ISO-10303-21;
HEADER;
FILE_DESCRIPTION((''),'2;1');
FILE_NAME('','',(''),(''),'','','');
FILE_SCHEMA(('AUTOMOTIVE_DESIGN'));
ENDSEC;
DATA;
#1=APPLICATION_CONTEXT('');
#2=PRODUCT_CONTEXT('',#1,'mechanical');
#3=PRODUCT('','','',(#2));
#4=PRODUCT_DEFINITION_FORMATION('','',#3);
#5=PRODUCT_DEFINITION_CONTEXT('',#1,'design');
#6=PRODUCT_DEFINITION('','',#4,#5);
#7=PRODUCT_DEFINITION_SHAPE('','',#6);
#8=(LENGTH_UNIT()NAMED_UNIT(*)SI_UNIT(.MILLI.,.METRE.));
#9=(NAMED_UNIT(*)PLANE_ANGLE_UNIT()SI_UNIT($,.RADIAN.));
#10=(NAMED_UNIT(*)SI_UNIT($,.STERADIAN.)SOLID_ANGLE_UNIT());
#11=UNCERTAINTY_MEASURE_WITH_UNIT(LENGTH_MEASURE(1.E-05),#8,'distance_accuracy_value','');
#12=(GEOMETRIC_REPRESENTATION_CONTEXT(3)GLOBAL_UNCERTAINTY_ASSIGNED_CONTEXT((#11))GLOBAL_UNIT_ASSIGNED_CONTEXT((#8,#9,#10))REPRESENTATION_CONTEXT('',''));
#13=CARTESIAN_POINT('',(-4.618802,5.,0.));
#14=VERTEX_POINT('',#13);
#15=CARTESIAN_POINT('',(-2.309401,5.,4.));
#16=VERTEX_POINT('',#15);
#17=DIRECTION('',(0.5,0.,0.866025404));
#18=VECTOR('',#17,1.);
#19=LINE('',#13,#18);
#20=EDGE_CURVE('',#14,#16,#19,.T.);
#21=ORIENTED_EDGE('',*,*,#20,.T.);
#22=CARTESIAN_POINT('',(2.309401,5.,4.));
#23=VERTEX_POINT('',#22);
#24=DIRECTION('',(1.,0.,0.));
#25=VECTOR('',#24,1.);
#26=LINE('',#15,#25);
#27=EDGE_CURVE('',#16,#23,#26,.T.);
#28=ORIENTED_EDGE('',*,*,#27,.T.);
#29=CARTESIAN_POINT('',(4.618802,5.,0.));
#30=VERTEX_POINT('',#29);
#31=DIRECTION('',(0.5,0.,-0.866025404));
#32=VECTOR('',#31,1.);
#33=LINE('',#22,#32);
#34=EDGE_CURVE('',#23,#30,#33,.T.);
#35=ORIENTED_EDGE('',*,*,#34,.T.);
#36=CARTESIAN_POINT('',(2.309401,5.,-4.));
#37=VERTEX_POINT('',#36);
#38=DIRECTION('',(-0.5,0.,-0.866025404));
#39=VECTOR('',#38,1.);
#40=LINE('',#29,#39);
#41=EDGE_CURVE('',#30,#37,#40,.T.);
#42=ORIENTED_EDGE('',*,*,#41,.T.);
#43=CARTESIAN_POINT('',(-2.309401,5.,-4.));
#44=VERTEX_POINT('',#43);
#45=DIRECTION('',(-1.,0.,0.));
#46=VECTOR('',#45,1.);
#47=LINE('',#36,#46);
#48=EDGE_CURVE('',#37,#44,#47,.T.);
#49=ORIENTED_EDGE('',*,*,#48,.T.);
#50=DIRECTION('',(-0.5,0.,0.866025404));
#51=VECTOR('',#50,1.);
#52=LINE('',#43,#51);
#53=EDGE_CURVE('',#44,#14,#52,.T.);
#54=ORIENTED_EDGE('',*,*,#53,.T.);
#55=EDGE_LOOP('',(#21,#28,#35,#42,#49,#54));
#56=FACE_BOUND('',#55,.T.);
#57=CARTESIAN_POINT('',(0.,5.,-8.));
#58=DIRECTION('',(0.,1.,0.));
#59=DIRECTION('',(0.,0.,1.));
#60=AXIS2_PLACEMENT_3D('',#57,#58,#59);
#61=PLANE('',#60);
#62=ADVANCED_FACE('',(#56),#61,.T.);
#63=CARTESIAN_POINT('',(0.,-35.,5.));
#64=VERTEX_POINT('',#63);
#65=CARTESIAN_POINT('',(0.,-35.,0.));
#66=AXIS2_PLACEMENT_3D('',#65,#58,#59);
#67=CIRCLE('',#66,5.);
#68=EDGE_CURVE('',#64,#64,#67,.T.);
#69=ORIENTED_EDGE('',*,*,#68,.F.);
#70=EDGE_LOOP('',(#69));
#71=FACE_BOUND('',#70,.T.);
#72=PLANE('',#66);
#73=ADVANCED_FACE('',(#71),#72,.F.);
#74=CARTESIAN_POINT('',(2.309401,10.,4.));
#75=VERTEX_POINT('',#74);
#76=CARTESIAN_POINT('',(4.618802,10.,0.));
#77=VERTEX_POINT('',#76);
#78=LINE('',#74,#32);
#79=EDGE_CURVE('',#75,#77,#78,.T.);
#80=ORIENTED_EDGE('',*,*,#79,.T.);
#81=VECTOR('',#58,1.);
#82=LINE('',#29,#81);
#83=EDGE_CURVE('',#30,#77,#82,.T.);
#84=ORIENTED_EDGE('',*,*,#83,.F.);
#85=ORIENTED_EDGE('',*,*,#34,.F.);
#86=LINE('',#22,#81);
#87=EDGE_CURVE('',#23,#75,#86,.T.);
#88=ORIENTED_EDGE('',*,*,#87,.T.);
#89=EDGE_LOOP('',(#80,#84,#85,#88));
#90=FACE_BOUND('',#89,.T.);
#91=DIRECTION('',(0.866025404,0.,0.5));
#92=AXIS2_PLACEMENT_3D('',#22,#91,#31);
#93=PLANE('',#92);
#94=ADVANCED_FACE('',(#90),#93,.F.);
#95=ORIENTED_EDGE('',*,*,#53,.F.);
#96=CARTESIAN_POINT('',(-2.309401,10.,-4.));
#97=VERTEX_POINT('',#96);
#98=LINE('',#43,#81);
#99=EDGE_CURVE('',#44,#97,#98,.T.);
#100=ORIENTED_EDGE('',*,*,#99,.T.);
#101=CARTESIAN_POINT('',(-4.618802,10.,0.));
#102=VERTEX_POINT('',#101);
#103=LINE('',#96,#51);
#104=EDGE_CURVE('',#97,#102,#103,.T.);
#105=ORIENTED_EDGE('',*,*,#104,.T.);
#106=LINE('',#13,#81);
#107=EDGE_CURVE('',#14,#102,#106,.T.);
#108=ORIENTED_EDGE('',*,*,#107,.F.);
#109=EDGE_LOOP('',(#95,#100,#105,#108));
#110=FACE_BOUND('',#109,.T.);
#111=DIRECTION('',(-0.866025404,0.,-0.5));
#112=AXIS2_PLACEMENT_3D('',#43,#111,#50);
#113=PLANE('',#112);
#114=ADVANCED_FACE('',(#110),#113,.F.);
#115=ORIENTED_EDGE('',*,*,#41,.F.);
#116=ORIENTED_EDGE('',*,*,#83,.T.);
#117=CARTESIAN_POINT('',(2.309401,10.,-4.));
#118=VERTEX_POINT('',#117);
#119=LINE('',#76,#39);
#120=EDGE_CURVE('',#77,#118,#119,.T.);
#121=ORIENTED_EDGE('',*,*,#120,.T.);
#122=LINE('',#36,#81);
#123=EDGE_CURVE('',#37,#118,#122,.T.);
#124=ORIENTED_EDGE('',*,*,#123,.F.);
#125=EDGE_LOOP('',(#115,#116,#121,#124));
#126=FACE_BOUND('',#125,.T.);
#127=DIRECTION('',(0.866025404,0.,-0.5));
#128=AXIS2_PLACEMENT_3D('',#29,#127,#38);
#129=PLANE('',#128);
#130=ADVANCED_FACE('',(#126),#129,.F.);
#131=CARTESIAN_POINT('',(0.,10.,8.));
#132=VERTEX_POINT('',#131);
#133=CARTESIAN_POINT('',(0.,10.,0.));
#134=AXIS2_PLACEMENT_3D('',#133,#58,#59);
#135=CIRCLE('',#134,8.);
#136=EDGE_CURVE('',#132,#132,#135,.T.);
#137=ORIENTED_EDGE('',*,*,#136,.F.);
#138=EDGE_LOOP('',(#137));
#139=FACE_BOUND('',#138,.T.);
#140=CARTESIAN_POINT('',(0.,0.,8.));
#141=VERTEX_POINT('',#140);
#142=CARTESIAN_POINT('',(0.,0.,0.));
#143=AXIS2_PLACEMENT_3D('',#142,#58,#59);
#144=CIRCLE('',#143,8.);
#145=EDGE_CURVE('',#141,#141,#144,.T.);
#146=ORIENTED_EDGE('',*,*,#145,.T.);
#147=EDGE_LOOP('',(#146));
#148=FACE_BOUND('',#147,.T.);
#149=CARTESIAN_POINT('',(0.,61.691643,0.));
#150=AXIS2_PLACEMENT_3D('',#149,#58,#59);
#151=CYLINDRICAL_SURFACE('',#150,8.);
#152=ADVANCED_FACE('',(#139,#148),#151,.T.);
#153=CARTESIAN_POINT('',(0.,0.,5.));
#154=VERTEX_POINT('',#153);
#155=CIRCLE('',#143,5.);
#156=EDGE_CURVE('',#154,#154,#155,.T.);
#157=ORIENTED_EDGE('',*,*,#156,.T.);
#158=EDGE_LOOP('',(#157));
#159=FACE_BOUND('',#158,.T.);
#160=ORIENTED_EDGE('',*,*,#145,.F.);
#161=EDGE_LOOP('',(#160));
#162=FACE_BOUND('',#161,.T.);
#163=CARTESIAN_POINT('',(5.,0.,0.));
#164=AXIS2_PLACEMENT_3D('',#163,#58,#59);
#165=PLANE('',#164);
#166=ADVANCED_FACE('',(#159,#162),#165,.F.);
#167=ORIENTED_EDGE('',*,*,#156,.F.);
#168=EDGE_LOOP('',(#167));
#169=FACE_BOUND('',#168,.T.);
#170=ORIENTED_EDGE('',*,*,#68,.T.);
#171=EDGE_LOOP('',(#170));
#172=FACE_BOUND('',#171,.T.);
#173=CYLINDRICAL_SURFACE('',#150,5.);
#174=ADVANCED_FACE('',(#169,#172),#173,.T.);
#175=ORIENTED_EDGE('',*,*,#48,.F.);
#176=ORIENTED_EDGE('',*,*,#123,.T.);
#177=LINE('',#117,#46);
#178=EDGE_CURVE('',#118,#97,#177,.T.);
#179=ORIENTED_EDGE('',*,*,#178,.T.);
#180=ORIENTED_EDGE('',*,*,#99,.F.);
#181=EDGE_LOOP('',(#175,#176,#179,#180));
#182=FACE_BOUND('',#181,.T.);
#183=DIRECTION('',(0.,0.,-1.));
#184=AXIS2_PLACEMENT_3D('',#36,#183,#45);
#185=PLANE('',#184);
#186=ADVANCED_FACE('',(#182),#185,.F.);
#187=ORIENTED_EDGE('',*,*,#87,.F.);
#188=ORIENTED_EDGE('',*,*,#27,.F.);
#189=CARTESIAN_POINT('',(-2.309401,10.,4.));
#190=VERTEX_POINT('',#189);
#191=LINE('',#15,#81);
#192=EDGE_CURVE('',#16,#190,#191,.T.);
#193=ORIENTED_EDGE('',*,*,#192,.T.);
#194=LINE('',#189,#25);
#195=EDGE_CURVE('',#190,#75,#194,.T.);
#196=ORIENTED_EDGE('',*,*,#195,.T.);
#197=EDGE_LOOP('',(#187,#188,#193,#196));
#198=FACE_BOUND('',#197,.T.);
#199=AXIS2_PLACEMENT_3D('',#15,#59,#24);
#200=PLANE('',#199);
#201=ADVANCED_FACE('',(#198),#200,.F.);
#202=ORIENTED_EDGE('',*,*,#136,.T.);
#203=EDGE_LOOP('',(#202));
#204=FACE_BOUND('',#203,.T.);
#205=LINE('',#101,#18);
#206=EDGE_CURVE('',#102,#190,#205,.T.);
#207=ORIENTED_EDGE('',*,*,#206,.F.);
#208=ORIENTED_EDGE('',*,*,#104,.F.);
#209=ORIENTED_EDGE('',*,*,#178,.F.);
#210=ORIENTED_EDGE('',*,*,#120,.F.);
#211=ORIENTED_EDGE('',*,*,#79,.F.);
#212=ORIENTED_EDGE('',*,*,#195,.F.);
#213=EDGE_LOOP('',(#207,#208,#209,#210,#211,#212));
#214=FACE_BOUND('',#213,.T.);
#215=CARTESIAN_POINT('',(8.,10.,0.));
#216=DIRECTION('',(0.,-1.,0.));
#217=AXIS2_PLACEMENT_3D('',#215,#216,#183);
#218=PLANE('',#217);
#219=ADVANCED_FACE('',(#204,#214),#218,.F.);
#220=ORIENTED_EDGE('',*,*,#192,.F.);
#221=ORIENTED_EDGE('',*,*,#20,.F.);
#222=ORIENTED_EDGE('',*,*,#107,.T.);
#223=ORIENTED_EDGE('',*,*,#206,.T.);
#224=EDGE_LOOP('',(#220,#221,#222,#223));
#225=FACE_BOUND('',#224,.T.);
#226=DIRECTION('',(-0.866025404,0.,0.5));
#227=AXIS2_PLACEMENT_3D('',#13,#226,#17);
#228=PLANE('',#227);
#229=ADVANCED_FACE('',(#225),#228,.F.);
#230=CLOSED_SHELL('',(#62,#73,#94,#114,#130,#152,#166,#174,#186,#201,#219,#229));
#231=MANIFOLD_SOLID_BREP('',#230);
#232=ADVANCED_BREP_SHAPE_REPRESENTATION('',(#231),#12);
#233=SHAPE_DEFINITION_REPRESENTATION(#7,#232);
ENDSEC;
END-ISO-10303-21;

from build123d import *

# Parameters (mm, degrees)
CUT_EXTRUDE1_DEPTH = 5


with BuildPart() as part:
    # Sketch1 → Revolve1 (revolve)
    with BuildSketch(Plane.XY, mode=Mode.PRIVATE) as revolve1_sk:
        Polygon((0, -35), (5, -35), (5, 0), (8, 0), (8, 10), (0, 10), align=None)
    revolve(revolve1_sk.sketch.rotate(Axis((0, 61.691642626, 0), (0, -1, 0)), 90), axis=Axis((0, 61.691642626, 0), (0, -1, 0)))

    # Sketch2 → Cut-Extrude1 (cut)
    with BuildSketch(Plane(origin=(0, 10, 0), x_dir=(-1, 0, 0), z_dir=(0, 1, 0))):
        Polygon((-2.309401077, -4), (2.309401077, -4), (4.618802154, 0), (2.309401077, 4), (-2.309401077, 4), (-4.618802154, 0), align=None)
    extrude(amount=-CUT_EXTRUDE1_DEPTH, mode=Mode.SUBTRACT)


solid = part.part
